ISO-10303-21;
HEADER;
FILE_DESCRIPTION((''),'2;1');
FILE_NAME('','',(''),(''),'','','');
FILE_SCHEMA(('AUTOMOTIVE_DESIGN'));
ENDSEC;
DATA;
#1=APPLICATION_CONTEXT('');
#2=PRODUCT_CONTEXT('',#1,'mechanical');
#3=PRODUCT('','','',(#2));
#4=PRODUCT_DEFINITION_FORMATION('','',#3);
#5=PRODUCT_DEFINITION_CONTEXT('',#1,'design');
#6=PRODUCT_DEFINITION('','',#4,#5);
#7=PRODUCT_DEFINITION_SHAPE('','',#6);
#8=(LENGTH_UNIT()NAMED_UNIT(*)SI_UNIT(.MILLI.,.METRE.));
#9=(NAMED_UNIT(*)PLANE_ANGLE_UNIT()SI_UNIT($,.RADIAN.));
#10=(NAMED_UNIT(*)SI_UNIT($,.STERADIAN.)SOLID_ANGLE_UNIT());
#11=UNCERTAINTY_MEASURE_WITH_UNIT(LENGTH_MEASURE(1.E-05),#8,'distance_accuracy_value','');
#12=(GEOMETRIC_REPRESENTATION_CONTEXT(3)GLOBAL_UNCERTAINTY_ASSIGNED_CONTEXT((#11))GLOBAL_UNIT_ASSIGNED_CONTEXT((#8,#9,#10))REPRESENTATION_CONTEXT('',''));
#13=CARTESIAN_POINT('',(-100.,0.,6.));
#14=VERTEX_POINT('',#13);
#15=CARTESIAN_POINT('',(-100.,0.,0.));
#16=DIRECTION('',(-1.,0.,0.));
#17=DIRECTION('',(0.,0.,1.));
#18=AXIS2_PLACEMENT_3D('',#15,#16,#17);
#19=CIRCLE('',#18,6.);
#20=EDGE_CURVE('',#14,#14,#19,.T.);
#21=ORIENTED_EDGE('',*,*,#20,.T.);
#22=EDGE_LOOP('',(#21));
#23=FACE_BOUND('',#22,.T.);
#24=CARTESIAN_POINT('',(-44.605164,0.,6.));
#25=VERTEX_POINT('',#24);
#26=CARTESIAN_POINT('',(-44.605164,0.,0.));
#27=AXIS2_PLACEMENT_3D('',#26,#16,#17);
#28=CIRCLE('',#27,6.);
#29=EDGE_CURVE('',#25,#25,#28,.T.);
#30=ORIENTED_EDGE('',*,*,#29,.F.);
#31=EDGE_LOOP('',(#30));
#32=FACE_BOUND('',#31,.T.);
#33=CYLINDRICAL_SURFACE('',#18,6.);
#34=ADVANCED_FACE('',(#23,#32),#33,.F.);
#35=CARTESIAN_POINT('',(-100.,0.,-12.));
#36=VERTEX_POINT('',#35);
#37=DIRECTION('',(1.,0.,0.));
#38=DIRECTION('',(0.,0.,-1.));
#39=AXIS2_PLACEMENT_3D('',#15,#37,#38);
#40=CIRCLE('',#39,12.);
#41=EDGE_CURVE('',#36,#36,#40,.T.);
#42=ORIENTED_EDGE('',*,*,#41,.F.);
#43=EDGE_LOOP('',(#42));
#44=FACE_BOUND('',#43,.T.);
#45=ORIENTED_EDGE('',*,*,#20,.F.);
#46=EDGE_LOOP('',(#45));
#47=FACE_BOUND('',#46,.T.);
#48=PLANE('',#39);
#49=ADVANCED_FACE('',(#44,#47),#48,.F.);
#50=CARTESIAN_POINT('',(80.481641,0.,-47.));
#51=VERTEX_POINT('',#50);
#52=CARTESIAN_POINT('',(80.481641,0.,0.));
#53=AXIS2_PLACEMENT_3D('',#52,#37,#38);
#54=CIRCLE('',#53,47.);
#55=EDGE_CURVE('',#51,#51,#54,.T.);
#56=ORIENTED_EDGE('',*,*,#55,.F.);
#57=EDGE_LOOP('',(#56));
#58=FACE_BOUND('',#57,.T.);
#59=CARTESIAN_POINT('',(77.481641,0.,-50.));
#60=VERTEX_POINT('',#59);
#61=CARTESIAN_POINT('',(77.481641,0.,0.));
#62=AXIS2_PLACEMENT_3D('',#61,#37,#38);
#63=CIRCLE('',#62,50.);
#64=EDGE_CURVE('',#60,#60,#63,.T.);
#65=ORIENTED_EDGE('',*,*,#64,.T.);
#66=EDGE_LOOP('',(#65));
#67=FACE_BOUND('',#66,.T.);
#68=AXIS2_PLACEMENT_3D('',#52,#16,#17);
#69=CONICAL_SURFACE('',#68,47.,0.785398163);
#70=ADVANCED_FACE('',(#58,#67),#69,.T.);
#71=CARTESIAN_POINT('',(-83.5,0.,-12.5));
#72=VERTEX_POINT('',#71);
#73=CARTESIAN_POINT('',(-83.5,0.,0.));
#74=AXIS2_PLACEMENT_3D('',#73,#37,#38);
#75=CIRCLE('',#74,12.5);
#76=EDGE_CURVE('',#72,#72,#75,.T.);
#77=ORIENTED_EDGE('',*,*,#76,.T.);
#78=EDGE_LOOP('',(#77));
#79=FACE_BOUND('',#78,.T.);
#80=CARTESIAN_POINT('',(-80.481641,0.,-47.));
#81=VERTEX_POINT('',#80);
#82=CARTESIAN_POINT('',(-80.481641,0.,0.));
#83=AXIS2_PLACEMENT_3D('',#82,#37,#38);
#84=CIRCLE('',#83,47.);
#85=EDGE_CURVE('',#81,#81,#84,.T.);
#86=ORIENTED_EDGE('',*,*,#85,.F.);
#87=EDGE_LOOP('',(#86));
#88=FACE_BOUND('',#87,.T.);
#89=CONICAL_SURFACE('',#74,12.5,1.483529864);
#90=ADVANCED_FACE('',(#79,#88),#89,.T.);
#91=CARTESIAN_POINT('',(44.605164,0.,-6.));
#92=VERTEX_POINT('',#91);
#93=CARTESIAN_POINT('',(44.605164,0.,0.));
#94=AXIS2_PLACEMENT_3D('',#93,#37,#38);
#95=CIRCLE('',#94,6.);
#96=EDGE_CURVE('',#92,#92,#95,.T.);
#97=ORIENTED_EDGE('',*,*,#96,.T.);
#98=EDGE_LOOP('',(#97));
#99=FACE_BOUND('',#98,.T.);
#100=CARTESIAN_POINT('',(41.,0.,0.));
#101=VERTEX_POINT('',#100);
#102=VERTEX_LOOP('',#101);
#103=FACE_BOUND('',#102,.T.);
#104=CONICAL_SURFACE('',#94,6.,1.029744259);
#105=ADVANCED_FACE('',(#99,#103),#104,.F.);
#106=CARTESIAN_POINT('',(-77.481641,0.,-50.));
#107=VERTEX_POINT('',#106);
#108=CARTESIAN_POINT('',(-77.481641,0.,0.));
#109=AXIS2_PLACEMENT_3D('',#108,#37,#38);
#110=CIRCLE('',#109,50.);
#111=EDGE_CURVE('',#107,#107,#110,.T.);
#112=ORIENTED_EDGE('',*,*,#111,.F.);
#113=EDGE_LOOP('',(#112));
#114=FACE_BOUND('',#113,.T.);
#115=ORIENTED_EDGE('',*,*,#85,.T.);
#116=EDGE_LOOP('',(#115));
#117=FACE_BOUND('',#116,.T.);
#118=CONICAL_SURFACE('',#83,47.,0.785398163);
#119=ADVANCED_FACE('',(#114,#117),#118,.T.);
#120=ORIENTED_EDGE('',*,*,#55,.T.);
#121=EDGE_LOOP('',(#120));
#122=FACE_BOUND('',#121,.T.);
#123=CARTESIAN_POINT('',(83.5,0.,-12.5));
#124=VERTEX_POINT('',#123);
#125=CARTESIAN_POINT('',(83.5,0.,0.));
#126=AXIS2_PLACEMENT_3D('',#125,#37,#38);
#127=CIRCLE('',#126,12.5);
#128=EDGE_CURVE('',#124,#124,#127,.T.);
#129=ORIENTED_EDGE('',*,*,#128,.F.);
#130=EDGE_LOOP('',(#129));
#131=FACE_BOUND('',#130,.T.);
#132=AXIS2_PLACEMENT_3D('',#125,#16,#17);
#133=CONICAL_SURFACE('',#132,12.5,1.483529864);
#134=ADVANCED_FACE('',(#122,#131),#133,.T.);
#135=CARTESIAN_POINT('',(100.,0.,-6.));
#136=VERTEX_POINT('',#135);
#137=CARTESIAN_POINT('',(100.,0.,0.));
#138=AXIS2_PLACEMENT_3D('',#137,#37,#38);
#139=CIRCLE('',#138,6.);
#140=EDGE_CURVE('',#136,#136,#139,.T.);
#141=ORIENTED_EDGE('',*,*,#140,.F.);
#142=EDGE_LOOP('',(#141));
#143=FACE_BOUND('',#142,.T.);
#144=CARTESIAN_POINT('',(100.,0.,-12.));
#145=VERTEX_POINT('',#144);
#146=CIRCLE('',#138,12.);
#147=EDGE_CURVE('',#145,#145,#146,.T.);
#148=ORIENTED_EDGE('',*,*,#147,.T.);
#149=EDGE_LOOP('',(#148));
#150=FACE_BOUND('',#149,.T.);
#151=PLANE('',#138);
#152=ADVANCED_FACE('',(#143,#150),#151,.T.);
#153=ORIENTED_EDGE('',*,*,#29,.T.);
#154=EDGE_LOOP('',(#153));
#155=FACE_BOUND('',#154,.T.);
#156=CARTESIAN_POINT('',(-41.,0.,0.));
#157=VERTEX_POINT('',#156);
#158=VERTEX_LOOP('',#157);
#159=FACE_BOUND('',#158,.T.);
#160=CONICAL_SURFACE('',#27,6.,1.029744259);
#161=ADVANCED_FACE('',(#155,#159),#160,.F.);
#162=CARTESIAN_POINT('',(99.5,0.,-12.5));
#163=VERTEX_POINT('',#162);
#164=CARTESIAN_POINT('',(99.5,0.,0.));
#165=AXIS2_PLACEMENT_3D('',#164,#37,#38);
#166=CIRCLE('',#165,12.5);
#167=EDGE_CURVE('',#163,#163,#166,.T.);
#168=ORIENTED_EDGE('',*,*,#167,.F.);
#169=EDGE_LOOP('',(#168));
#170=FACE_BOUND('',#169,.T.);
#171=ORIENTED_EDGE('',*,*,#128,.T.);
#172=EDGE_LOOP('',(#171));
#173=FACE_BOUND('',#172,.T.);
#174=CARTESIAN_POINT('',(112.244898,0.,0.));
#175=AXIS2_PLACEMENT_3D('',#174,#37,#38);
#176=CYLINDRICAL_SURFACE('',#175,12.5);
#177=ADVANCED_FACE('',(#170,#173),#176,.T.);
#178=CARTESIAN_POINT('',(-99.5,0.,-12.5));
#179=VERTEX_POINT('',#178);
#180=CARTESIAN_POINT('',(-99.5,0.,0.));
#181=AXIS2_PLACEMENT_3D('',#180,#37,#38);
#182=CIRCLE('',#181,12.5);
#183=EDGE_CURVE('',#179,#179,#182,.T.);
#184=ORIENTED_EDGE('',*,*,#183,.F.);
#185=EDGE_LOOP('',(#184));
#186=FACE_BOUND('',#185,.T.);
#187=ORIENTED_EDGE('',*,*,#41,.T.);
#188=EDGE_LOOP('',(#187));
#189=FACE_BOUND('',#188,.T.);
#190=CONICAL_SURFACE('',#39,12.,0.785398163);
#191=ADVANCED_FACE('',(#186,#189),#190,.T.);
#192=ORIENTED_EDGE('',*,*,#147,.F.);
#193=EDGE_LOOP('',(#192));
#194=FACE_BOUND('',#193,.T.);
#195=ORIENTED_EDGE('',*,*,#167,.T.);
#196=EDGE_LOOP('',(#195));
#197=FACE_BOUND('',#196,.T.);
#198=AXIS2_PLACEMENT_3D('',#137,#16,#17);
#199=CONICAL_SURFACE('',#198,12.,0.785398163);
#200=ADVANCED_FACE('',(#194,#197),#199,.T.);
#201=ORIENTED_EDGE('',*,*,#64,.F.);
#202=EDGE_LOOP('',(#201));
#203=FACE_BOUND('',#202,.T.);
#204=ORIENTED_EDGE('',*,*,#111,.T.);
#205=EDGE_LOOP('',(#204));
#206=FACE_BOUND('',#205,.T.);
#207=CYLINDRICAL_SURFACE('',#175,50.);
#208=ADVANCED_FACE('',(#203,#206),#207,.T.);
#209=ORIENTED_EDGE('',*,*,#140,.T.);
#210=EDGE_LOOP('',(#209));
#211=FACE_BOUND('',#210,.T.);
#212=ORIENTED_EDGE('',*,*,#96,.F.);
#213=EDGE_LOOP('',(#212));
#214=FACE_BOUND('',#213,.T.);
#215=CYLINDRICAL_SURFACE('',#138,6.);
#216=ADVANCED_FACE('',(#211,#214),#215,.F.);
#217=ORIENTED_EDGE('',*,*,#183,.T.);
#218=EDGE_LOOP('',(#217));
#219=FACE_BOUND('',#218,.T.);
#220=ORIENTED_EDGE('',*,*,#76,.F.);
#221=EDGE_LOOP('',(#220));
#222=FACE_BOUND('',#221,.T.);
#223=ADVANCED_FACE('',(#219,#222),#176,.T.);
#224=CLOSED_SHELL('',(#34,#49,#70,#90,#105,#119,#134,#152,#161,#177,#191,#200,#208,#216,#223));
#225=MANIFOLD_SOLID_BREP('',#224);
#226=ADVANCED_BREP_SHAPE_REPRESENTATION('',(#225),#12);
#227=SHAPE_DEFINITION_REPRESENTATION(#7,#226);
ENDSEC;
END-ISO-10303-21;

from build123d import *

# Parameters (mm, degrees)
TALADRO_DE_MARGEN_PARA_M102_D     = 12
TALADRO_DE_MARGEN_PARA_M102_DEPTH = 55.394836286
TALADRO_DE_MARGEN_PARA_M102_TIP   = 3.605163714


with BuildPart() as part:
    # Croquis1 → Revolución1 (revolve)
    with BuildSketch(Plane.XY):
        Polygon((100, 0), (100, 12), (99.5, 12.5), (83.5, 12.5), (80.481641108, 47), (77.481641108, 50), (-77.481641108, 50), (-80.481641108, 47), (-83.5, 12.5), (-99.5, 12.5), (-100, 12), (-100, 0), align=None)
    revolve(axis=Axis((112.244897959, 0, 0), (-1, 0, 0)))

    # Croquis8 → Taladro de margen para M101 (revolve, cut)
    with BuildSketch(Plane(origin=(-100, 0, 0), x_dir=(0, 0, 1), z_dir=(0, 1, 0))):
        Polygon((0, 0), (0, 59), (6, 55.394836286), (6, 0), align=None)
    revolve(axis=Axis((-106.35, 0, 0), (1, 0, 0)), mode=Mode.SUBTRACT)

    # Taladro de margen para M102
    with Locations(Plane(origin=(100, 0, 0), x_dir=(0, 0, 1), z_dir=(1, 0, 0))):
        with Locations((0, 0)):
            Hole(TALADRO_DE_MARGEN_PARA_M102_D / 2, depth=TALADRO_DE_MARGEN_PARA_M102_DEPTH)
            with Locations((0, 0, -(TALADRO_DE_MARGEN_PARA_M102_DEPTH + TALADRO_DE_MARGEN_PARA_M102_TIP / 2))):  # 118° drill point
                Cone(0, TALADRO_DE_MARGEN_PARA_M102_D / 2, TALADRO_DE_MARGEN_PARA_M102_TIP, mode=Mode.SUBTRACT)


solid = part.part
